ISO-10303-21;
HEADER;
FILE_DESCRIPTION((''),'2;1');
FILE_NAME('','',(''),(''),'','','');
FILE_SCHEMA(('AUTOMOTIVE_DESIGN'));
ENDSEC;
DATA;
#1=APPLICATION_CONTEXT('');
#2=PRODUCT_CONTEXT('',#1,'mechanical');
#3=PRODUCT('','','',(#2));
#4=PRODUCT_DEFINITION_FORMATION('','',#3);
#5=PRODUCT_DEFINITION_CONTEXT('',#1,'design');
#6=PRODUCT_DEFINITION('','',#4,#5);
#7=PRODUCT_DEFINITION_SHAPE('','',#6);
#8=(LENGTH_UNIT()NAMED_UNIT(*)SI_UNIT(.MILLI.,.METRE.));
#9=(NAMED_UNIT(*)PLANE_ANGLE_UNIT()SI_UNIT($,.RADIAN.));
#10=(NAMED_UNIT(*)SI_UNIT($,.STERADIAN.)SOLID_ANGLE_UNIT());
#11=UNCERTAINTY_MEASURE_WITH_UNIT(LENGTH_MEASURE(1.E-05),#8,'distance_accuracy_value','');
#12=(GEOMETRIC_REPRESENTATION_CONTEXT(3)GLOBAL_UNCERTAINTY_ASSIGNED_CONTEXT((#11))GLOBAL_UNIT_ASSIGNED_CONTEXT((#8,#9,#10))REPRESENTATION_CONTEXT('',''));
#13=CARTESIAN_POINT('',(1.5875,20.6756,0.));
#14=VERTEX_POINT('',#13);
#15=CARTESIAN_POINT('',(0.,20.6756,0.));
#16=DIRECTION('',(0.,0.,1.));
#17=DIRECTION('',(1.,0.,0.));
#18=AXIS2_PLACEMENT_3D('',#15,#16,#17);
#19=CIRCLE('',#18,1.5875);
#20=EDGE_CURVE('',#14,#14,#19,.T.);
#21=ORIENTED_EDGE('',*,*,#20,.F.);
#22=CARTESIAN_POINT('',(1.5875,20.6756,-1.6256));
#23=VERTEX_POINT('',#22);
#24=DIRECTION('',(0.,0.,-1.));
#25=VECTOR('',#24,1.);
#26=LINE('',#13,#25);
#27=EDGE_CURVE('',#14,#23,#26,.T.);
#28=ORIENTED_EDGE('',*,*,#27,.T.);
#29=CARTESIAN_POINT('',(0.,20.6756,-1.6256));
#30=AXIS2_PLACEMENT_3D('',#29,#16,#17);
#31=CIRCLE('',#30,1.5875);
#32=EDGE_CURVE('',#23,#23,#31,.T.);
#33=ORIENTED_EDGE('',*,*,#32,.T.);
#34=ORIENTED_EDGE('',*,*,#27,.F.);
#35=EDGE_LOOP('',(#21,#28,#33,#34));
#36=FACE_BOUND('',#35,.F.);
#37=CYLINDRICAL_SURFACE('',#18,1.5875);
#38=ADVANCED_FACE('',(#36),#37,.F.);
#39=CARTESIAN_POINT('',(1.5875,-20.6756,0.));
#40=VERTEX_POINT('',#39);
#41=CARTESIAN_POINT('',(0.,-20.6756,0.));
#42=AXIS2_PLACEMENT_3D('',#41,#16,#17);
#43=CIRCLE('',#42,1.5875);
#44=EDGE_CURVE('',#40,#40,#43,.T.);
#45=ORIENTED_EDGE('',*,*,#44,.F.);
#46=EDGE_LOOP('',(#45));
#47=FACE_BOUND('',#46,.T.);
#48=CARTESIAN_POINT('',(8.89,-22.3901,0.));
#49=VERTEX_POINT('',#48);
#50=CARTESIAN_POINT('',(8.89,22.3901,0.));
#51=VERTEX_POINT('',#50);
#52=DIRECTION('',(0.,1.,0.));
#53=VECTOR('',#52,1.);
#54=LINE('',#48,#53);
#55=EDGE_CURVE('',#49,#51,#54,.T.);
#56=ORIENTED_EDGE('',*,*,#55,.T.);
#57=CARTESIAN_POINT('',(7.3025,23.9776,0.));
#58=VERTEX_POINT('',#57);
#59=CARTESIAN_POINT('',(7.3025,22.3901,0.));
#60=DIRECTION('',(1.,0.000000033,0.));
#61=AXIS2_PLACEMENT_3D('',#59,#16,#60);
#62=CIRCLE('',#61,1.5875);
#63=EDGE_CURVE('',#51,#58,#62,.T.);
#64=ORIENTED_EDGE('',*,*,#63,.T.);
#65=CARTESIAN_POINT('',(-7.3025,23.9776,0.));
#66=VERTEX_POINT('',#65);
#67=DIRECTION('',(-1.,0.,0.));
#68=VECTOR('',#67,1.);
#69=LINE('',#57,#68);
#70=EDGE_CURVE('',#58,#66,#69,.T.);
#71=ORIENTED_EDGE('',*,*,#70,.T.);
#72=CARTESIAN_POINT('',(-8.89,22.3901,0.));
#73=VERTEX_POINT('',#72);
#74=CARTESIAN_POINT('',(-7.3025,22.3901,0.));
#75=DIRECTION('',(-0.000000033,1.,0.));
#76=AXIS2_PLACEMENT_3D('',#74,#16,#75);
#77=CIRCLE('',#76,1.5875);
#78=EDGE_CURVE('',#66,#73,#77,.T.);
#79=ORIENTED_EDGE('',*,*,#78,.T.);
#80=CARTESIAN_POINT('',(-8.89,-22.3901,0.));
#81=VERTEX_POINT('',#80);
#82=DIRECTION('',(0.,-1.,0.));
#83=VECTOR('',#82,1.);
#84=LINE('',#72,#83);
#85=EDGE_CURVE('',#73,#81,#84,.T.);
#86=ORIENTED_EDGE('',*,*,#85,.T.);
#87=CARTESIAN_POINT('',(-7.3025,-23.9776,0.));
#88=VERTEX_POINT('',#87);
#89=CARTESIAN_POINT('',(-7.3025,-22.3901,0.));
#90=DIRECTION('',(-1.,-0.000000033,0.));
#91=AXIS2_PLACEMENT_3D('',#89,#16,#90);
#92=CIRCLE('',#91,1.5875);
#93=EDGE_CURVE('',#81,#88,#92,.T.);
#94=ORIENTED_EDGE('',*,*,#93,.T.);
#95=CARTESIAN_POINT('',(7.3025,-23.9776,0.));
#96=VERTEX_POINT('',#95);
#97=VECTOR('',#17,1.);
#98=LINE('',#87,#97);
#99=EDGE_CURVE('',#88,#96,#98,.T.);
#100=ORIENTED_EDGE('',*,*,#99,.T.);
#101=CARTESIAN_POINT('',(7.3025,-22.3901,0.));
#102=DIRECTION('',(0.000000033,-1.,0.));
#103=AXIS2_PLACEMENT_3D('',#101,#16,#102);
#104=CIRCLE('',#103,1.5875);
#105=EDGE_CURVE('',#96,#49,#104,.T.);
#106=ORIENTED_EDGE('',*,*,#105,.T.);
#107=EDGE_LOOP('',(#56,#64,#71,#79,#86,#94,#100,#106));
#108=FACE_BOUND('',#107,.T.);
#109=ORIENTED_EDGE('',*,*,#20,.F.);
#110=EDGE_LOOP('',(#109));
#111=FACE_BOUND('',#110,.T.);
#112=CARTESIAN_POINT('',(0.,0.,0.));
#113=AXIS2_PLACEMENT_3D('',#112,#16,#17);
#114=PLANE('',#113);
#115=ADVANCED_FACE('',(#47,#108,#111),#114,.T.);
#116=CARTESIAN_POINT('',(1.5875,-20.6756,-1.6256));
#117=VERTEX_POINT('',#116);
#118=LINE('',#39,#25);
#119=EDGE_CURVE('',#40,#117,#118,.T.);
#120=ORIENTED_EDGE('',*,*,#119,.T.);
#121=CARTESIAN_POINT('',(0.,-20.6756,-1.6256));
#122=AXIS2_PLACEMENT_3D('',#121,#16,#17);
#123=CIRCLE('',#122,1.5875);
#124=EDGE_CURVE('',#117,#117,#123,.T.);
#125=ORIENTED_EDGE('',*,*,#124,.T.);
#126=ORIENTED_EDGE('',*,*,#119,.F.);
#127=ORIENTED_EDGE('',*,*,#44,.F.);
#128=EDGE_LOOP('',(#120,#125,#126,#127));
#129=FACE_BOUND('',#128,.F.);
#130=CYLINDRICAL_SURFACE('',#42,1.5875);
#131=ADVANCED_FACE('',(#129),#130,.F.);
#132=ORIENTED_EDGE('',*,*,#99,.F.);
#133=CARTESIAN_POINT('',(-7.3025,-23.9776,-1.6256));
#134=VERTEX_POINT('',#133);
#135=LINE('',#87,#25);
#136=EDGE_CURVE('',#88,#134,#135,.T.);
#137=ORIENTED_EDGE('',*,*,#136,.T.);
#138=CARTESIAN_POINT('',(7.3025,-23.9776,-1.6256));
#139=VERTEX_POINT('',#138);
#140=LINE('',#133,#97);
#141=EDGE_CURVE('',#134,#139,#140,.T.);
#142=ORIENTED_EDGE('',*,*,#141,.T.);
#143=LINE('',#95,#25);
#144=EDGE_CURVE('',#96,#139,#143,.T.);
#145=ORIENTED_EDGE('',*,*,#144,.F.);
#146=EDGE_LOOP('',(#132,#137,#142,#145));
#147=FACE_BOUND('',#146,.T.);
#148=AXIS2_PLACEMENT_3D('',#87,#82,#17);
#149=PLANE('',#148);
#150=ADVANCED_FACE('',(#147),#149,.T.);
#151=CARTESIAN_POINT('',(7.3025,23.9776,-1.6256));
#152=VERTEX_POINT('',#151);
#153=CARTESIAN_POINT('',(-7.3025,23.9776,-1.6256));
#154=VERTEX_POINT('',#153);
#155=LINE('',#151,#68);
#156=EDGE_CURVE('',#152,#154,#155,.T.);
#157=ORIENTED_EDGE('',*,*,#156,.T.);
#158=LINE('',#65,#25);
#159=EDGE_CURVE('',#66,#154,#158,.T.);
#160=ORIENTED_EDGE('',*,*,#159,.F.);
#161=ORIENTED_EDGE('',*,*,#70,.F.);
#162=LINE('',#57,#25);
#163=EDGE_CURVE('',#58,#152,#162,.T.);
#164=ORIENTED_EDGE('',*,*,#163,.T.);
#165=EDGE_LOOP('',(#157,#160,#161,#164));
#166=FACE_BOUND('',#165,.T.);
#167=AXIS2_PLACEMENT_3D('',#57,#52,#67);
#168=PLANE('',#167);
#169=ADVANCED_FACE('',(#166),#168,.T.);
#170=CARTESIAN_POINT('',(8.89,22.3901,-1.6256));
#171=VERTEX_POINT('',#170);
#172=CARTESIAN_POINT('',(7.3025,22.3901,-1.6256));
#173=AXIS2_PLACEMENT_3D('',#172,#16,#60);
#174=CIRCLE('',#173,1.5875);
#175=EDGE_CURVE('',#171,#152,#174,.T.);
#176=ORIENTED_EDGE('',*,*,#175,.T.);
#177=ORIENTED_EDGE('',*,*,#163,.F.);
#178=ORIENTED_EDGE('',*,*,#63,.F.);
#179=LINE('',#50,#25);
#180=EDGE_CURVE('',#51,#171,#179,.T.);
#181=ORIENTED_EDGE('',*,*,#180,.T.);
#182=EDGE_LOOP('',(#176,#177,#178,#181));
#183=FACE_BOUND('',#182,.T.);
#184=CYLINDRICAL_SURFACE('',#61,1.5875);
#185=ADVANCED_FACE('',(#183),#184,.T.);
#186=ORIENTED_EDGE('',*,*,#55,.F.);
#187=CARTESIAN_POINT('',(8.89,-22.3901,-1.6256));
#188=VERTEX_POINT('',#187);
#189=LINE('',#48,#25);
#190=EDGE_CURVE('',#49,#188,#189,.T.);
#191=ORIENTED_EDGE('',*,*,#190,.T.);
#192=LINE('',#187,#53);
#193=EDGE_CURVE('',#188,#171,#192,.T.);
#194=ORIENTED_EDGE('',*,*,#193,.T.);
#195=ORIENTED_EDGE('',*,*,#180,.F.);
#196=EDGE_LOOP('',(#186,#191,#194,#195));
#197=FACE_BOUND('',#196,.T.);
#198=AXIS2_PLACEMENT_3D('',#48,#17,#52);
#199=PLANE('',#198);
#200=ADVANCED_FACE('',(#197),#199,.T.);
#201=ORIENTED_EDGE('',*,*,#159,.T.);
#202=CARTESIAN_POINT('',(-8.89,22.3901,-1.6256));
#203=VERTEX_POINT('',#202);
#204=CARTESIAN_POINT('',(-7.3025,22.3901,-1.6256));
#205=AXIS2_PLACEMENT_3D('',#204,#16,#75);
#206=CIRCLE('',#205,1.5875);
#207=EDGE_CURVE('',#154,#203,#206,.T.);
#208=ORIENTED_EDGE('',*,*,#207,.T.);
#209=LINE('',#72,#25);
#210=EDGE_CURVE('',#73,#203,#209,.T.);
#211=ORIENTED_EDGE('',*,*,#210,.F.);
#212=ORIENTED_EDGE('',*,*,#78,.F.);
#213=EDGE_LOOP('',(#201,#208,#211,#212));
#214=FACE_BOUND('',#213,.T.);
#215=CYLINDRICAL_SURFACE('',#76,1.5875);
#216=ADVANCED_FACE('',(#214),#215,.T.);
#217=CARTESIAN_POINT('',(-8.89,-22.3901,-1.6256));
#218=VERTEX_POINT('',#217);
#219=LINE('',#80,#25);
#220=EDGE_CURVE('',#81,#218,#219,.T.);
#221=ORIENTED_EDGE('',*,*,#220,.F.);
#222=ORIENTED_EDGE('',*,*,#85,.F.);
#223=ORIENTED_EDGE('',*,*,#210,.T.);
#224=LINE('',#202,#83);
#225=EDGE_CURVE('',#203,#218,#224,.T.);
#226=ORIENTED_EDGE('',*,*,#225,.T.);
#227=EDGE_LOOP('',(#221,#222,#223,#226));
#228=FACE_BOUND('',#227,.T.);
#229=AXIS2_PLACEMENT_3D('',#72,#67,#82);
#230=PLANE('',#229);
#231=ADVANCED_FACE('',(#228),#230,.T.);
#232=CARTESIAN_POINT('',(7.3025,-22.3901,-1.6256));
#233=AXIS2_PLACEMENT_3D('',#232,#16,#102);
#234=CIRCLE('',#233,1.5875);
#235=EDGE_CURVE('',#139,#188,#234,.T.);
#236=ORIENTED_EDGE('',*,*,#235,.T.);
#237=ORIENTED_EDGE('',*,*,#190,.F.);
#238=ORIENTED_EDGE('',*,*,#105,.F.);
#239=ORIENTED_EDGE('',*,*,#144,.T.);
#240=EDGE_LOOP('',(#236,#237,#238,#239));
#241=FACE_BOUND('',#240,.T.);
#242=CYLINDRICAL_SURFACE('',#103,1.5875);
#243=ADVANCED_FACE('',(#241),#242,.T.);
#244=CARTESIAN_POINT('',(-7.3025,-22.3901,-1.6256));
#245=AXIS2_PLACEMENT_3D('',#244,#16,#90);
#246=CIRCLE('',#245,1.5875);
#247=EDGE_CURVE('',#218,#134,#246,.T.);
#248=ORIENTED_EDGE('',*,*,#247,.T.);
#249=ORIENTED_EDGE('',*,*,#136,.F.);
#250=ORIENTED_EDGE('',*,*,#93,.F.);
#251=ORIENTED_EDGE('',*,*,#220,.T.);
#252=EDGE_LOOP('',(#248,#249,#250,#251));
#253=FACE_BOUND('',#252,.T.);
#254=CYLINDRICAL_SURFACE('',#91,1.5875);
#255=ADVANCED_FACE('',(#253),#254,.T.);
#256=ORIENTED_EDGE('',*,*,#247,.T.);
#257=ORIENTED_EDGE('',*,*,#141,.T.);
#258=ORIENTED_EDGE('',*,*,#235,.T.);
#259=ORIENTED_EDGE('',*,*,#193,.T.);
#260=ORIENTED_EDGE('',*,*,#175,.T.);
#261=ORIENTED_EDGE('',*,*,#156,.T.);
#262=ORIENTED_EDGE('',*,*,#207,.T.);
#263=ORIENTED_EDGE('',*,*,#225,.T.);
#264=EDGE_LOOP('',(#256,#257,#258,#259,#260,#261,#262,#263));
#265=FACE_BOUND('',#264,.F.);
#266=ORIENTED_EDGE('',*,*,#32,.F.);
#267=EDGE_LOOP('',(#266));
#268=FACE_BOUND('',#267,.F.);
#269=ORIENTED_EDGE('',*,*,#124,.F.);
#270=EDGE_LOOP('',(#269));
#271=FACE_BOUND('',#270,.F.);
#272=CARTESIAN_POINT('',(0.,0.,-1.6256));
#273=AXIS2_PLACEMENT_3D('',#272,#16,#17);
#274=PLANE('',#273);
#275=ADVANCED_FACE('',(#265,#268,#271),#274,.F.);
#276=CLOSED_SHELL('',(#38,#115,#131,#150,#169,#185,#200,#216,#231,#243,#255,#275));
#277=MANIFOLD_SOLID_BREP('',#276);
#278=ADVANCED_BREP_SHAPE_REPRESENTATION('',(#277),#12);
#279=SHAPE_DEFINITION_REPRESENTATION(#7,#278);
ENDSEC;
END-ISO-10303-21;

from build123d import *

# Parameters (mm, degrees)
F0_R     = 1.5875
F1_DEPTH = 1.6256


with BuildPart() as f1:
    # F0 (on Top) → F1 (new body)
    with BuildSketch(Plane.XY):
        with BuildLine():
            Line((-7.3025, -23.9776), (7.3025, -23.9776))
            ThreePointArc((7.3025, -23.9776), (8.425032, -23.512632), (8.89, -22.3901))
            Line((8.89, -22.3901), (8.89, 22.3901))
            ThreePointArc((8.89, 22.3901), (8.425032, 23.512632), (7.3025, 23.9776))
            Line((7.3025, 23.9776), (-7.3025, 23.9776))
            ThreePointArc((-7.3025, 23.9776), (-8.425032, 23.512632), (-8.89, 22.3901))
            Line((-8.89, 22.3901), (-8.89, -22.3901))
            ThreePointArc((-8.89, -22.3901), (-8.425032, -23.512632), (-7.3025, -23.9776))
        make_face()
        with Locations((0, -20.6756)):
            Circle(F0_R, mode=Mode.SUBTRACT)
        with Locations((0, 20.6756)):
            Circle(F0_R, mode=Mode.SUBTRACT)
    extrude(amount=-F1_DEPTH)


solid = f1.part
